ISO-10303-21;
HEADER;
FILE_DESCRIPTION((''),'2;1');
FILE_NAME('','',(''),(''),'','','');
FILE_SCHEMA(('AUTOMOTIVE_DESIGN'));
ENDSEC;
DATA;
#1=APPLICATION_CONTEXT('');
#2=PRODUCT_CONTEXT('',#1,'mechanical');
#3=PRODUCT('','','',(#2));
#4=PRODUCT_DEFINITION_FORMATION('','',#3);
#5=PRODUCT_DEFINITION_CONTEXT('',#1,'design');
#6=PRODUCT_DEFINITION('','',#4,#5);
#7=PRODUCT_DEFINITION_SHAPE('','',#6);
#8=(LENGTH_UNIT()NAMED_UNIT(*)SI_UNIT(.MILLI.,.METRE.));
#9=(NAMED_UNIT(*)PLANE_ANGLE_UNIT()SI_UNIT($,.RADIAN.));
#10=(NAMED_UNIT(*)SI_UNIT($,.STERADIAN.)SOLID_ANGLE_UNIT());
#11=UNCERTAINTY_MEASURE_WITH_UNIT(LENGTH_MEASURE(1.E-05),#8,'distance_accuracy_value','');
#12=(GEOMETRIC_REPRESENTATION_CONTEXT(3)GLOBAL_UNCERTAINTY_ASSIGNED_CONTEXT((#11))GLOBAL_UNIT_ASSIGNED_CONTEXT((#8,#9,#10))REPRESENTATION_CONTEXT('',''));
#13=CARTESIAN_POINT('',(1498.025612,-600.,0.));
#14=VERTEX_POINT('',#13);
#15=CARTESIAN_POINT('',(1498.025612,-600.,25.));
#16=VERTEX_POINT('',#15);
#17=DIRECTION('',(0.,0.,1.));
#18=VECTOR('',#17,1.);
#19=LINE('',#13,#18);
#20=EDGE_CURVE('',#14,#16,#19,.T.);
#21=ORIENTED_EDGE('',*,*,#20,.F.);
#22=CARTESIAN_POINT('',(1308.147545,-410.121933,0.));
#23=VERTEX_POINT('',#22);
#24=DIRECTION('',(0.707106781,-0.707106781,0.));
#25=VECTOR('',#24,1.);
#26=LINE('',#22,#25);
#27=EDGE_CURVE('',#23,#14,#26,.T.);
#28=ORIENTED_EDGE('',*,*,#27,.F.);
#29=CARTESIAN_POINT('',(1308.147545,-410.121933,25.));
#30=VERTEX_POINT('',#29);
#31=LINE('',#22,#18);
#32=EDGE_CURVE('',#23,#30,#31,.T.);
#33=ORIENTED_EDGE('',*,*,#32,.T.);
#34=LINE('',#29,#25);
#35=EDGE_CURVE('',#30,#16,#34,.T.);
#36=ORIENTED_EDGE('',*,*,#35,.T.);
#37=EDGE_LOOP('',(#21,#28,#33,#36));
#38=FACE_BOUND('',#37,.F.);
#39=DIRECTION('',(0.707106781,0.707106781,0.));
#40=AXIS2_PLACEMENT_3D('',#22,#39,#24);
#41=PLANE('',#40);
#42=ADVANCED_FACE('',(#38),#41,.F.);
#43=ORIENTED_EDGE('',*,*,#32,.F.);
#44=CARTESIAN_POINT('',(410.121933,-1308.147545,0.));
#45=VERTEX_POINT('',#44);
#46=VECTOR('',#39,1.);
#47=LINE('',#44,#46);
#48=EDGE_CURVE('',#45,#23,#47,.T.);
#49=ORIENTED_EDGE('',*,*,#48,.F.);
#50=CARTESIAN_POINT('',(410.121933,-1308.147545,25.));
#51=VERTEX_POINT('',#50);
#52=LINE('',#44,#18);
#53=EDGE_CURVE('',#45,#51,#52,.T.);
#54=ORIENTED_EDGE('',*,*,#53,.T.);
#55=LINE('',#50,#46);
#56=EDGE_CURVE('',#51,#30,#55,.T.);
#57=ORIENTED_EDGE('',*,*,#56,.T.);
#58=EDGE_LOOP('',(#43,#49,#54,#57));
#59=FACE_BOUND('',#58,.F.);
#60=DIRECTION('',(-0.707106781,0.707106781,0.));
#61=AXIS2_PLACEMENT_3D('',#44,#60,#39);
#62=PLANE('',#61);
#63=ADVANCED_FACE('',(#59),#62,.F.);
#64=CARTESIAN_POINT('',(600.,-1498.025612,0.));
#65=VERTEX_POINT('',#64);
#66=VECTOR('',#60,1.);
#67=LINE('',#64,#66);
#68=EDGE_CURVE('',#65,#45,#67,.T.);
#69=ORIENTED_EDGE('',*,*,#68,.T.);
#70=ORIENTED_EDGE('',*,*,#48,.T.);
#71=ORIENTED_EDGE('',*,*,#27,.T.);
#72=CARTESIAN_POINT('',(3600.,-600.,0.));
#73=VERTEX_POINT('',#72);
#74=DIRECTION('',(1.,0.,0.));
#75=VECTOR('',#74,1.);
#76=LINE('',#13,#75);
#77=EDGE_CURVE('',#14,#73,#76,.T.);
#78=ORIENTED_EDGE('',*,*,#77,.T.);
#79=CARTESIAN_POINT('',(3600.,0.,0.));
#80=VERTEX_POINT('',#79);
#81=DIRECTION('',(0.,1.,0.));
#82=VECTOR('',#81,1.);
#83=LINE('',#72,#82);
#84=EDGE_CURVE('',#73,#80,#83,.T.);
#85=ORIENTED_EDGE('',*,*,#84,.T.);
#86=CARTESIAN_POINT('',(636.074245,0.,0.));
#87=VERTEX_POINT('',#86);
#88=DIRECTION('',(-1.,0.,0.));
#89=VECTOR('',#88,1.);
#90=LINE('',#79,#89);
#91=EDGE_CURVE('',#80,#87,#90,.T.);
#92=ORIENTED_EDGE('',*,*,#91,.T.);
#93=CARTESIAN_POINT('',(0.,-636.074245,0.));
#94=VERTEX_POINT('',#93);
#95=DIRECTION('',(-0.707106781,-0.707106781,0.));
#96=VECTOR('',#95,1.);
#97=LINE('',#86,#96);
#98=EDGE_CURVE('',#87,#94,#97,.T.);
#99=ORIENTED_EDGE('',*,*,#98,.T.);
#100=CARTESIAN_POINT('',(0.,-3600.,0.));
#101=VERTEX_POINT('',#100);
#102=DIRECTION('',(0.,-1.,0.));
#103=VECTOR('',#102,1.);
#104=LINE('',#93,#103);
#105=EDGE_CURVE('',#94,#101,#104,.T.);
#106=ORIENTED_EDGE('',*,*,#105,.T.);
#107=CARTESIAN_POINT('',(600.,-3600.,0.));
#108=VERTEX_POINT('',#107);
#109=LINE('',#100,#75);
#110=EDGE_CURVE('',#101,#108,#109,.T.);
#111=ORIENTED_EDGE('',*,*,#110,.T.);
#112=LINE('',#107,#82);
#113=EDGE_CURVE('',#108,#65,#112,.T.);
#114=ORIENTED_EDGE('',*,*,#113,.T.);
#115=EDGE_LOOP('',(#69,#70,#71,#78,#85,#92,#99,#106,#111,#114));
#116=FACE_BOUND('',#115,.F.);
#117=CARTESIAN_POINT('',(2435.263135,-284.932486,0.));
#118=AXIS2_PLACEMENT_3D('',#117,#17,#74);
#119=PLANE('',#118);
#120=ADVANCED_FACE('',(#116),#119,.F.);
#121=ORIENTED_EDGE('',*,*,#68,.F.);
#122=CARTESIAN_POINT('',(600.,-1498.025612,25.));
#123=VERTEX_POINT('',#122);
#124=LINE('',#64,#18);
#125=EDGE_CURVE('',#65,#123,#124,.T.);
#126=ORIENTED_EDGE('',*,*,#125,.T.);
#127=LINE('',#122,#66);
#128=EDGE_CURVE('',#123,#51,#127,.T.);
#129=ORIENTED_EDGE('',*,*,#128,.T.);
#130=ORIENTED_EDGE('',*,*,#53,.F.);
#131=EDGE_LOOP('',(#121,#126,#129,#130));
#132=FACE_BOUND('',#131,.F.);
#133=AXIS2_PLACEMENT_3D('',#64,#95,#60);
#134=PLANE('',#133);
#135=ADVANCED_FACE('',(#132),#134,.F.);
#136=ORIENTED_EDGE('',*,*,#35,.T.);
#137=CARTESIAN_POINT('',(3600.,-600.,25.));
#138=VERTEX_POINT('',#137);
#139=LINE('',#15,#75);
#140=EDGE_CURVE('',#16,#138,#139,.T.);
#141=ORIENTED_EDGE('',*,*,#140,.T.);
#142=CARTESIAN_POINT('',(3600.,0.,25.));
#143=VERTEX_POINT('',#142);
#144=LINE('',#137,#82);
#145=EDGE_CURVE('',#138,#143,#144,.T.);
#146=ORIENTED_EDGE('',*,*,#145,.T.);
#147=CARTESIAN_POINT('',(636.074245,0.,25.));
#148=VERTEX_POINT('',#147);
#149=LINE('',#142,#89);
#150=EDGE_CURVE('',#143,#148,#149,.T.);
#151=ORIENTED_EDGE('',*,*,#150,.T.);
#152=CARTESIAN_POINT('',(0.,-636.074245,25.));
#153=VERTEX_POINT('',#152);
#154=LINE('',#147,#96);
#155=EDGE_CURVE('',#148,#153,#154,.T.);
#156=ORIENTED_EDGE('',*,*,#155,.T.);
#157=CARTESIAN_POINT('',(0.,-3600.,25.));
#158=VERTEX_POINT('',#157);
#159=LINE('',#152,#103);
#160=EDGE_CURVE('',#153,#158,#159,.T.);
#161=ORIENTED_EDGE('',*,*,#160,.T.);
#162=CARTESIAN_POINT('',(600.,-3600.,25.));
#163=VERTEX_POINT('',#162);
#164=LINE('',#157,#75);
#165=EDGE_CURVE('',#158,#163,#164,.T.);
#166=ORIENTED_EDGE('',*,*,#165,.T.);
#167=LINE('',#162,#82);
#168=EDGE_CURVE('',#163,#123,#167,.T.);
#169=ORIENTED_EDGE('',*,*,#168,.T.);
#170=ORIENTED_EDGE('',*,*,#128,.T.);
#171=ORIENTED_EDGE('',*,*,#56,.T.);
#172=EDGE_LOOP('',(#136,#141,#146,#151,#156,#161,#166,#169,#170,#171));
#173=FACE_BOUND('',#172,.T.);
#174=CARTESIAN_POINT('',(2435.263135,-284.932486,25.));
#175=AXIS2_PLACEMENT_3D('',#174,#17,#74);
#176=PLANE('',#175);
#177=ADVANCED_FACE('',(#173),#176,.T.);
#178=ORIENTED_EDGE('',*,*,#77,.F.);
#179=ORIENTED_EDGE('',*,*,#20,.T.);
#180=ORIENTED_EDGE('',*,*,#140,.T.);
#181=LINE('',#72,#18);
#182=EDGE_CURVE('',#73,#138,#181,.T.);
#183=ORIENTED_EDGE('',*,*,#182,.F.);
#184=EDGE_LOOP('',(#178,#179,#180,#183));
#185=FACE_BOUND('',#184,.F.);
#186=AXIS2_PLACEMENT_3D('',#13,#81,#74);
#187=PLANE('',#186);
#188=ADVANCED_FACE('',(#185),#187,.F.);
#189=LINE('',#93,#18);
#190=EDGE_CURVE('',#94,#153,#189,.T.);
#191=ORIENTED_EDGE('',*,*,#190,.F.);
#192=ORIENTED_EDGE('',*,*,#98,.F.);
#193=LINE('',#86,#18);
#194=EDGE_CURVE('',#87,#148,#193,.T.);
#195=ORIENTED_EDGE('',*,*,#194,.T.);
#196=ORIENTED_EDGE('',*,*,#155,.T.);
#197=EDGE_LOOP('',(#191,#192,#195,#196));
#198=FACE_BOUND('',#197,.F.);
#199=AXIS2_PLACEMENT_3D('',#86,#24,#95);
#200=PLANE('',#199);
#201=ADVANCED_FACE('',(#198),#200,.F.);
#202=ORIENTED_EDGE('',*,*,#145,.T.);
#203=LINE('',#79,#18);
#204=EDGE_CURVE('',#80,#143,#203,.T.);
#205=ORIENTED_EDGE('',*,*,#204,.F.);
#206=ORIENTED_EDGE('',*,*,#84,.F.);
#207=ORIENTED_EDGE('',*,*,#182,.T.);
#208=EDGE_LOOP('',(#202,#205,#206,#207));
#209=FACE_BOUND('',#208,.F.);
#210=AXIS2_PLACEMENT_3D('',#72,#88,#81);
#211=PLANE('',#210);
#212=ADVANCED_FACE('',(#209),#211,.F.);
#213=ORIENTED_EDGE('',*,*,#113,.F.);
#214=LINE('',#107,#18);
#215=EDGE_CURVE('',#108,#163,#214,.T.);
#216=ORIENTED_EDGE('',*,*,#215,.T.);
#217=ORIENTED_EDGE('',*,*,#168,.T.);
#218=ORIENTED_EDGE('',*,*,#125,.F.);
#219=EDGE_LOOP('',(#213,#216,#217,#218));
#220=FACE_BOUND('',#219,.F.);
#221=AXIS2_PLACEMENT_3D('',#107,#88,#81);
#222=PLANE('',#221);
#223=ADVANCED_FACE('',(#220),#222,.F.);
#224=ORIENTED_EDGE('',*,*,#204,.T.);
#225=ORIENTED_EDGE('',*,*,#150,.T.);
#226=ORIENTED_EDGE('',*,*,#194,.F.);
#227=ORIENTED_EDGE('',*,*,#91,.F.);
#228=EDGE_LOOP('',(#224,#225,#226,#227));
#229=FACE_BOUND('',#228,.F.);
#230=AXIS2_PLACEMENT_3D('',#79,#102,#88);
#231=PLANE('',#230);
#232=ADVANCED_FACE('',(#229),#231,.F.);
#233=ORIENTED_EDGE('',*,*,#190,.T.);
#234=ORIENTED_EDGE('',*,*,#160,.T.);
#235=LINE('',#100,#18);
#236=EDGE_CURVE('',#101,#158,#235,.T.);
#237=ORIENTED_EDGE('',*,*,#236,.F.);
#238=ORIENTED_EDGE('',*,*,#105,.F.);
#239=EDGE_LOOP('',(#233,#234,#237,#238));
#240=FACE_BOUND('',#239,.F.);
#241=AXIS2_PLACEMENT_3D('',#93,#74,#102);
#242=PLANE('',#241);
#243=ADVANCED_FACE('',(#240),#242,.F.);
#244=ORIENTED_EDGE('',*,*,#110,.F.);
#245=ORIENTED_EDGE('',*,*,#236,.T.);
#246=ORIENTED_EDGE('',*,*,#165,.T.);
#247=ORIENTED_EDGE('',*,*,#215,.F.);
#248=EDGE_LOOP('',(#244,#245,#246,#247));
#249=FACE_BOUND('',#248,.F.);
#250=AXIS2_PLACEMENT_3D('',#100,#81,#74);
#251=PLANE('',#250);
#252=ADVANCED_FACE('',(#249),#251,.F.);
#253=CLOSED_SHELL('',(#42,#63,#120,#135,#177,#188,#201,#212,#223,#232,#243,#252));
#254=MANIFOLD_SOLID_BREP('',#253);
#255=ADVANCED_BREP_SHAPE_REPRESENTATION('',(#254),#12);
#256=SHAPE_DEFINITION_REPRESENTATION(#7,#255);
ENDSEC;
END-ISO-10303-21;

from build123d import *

# Parameters (mm, degrees)
F1_DEPTH = 25


with BuildPart() as f1:
    # F0 (on Top) → F1 (new body)
    with BuildSketch(Plane.XY):
        Polygon((3600, 0), (1158.875369, 0), (1308.147545, -410.121933), (1498.025612, -600), (2577.746033, -600), (3600, -600), align=None)
        Polygon((636.074245, 0), (0, -636.074245), (0, -1158.875369), (410.121933, -1308.147545), (1308.147545, -410.121933), (1158.875369, 0), align=None)
        Polygon((410.121933, -1308.147545), (0, -1158.875369), (0, -3600), (600, -3600), (600, -1498.025612), align=None)
    extrude(amount=F1_DEPTH)


solid = f1.part
